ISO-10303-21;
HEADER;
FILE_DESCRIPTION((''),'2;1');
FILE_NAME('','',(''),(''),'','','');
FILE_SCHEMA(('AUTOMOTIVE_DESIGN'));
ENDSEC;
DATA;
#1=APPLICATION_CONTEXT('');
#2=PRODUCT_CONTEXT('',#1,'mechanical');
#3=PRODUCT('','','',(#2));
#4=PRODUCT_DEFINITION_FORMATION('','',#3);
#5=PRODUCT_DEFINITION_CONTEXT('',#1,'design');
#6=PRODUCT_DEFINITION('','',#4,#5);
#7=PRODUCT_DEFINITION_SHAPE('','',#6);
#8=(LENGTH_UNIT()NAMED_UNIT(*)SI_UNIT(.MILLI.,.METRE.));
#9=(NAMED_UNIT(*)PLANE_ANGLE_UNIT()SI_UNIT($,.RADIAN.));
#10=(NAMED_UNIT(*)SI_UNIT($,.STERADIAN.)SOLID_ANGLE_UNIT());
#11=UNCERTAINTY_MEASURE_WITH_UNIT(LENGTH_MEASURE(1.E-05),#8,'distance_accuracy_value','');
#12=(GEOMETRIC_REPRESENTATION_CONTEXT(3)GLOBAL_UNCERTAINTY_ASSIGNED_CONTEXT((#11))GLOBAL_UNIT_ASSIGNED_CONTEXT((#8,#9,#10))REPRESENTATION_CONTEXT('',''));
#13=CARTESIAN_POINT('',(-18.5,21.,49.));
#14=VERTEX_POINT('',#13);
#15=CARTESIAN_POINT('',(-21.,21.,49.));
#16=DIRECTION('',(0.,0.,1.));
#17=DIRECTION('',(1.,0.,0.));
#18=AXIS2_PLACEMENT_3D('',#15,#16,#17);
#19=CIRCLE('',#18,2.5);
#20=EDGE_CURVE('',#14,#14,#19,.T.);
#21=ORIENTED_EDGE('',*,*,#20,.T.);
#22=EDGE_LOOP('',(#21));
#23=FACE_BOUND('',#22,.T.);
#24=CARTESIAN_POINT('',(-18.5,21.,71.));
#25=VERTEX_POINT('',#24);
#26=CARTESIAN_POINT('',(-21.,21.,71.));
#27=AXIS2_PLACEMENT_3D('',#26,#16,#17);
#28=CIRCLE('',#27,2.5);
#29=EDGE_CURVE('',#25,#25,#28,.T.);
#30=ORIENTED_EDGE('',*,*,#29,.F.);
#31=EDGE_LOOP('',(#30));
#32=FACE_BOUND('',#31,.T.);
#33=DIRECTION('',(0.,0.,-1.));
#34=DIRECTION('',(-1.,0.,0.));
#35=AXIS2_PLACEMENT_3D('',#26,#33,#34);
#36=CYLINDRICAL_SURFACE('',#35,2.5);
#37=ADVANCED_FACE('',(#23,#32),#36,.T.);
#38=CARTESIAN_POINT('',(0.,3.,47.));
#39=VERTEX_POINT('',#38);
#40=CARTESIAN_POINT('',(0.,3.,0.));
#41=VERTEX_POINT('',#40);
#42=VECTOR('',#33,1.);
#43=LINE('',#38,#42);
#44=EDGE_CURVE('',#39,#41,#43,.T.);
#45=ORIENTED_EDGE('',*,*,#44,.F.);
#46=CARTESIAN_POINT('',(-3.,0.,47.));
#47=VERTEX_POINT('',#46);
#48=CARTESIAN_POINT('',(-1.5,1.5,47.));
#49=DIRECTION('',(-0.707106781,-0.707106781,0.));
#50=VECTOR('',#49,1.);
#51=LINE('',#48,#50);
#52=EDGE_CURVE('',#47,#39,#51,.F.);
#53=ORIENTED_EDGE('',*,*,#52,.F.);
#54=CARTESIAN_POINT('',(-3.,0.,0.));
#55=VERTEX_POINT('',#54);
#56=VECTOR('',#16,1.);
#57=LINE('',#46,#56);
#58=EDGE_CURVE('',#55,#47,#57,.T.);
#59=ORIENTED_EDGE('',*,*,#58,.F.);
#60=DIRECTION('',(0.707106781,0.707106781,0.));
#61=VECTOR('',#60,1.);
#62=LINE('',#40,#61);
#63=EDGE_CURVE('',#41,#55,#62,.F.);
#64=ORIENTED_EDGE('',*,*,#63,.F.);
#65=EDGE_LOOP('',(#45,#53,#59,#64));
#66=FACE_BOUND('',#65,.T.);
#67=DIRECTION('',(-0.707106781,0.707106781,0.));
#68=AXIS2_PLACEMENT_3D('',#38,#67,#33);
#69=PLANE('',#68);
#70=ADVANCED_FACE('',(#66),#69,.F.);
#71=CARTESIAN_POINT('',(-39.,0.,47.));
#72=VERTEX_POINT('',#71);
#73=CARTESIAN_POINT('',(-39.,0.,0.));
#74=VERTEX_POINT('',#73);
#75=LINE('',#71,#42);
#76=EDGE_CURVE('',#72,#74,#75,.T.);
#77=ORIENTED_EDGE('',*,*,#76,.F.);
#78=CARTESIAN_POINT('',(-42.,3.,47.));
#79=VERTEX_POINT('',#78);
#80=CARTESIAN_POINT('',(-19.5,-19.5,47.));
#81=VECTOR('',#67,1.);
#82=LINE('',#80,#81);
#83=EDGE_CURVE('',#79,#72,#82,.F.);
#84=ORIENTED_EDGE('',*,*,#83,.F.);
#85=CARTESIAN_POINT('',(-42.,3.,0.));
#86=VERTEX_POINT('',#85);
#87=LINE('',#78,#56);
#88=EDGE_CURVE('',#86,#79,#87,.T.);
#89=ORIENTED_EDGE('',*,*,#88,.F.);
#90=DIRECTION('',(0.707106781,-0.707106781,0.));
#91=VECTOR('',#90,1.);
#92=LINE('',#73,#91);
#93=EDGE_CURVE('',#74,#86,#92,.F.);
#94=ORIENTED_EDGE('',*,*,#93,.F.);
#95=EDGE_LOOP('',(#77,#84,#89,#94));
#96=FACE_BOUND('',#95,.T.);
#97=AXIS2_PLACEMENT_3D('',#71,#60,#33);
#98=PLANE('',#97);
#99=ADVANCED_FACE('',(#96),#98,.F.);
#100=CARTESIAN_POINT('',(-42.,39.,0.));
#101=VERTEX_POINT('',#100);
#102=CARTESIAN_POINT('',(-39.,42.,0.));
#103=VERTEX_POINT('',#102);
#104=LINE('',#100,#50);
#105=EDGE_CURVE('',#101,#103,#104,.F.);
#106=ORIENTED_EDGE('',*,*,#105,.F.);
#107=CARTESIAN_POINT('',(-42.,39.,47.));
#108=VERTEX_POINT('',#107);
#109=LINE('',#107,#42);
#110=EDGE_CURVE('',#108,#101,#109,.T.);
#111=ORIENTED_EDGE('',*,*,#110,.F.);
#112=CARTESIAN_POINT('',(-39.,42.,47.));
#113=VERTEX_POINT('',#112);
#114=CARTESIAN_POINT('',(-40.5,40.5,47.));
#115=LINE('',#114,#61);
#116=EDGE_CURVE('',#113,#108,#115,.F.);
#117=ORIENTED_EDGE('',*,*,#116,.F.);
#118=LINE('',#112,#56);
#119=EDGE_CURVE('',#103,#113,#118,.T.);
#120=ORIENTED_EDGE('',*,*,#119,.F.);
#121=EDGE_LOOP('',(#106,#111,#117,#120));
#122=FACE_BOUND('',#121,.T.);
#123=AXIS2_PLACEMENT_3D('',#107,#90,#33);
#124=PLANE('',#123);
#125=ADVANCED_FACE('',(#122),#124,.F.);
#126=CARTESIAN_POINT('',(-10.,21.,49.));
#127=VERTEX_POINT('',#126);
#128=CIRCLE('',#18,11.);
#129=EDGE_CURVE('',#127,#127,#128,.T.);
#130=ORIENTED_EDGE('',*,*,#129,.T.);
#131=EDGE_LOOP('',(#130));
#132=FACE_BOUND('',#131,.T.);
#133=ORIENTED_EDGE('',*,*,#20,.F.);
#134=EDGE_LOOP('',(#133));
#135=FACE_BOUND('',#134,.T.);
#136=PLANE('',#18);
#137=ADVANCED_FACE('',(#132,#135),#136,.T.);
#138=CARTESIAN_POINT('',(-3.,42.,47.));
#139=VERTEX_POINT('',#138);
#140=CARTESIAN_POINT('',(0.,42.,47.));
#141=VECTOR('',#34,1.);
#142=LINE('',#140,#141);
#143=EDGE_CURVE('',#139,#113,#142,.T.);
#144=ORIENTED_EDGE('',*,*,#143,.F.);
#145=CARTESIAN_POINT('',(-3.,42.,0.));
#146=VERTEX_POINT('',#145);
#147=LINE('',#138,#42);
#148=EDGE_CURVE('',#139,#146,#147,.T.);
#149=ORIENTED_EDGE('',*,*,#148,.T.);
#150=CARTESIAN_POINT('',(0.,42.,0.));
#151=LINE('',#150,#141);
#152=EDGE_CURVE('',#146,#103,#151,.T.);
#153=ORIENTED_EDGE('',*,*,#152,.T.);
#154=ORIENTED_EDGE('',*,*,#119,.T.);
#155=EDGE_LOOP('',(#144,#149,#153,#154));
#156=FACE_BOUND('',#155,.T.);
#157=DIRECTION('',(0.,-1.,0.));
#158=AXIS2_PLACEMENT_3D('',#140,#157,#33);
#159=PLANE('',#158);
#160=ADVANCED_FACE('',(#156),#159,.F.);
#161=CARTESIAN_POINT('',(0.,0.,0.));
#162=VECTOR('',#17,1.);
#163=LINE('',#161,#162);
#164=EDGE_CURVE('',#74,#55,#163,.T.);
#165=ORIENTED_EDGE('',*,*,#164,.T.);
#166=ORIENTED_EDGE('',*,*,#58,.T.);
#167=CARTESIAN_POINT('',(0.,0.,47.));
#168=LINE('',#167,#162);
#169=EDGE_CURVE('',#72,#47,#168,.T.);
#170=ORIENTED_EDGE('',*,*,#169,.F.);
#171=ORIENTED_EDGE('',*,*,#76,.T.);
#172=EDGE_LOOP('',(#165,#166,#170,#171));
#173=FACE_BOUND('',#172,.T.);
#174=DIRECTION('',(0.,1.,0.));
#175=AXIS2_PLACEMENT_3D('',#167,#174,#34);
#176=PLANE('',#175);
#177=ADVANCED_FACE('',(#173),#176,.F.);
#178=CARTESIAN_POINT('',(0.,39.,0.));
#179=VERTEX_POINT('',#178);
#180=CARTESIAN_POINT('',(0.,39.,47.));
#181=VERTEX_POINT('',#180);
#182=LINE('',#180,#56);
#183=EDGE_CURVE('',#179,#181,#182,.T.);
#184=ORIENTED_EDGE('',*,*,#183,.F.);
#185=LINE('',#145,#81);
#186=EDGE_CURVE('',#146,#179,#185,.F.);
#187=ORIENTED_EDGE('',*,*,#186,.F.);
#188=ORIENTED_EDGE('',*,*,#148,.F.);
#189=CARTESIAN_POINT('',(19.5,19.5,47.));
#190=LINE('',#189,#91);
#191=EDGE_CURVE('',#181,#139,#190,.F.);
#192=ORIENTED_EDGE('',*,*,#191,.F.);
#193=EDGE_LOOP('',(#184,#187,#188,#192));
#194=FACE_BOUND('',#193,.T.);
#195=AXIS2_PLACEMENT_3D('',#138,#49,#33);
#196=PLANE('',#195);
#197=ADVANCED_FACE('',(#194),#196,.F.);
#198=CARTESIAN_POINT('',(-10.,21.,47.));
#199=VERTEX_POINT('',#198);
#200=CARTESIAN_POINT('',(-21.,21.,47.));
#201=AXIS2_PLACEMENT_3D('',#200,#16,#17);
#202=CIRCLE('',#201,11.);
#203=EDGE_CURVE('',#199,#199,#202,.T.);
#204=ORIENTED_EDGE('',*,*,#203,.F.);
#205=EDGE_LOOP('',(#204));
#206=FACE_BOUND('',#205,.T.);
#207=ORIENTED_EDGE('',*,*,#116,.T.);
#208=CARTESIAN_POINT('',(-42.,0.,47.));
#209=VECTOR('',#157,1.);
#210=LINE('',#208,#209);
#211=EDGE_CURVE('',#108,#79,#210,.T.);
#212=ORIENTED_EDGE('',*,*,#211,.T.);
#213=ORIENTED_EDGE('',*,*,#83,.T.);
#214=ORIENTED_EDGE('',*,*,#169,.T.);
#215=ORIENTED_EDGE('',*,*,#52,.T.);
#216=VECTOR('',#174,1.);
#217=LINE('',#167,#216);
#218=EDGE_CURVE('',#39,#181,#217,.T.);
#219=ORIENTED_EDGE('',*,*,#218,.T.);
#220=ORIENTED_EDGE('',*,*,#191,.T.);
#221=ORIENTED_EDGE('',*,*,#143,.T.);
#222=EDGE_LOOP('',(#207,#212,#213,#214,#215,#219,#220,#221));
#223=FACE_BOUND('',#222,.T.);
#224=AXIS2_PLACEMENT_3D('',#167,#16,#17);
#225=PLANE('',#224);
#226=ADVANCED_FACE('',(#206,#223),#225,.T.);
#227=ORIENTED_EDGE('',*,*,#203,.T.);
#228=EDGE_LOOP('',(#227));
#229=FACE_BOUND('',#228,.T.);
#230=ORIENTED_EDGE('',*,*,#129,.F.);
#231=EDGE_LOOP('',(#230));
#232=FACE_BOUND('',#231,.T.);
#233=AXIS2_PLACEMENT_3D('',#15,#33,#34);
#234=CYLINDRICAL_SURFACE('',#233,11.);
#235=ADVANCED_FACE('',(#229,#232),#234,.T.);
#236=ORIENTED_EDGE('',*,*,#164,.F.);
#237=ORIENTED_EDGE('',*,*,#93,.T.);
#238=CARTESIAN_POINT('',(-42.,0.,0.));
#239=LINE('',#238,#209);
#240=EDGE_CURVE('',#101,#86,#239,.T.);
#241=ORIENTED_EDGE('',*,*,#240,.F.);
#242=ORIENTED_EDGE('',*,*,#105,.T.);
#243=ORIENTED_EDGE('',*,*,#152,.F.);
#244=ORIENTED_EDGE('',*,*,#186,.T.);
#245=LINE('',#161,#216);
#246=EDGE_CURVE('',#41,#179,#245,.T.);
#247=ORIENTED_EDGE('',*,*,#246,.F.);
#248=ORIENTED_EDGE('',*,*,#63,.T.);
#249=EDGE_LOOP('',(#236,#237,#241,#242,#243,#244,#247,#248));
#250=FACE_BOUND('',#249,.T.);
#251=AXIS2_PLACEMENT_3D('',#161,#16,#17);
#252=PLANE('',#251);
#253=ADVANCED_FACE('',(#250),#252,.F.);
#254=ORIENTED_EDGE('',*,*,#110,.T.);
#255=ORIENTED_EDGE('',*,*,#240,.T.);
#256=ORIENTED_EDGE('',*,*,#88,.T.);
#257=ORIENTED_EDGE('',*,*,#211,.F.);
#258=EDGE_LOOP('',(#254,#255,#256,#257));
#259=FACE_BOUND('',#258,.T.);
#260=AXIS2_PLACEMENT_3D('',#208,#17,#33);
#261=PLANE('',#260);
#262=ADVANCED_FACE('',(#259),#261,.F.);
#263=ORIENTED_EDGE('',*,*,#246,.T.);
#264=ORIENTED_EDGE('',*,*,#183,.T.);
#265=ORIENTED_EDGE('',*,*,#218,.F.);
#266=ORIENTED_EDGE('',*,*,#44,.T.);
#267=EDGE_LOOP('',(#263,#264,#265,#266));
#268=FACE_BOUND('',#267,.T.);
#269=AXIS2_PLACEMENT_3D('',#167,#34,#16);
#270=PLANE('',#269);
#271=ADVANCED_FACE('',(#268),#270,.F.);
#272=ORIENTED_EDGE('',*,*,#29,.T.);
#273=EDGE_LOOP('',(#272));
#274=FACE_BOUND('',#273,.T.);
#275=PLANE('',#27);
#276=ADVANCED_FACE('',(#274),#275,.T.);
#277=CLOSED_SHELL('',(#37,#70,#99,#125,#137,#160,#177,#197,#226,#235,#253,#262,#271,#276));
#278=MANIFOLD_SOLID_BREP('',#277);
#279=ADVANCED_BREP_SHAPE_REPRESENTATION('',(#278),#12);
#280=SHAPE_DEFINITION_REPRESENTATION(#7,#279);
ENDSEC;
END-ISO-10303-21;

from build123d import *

# Parameters (mm, degrees)
SKETCH_1_W      = 42
SKETCH_1_H      = 42
EXTRUDE_1_DEPTH = 47
CHAMFER_1_SIZE  = 3
SKETCH_2_R      = 11
EXTRUDE_2_DEPTH = 2
SKETCH_3_R      = 2.5
EXTRUDE_3_DEPTH = 22


with BuildPart() as part:
    # 草图1 → 凸台-拉伸1 (new body)
    with BuildSketch(Plane.XY):
        with Locations((-21, 21)):
            Rectangle(SKETCH_1_W, SKETCH_1_H)
    extrude(amount=EXTRUDE_1_DEPTH)

    # 倒角1
    chamfer_1_edges = [part.edges().sort_by_distance(p)[0] for p in [
        (0, 0, 23.5),
        (-42, 0, 23.5),
        (-42, 42, 23.5),
        (0, 42, 23.5),
    ]]
    chamfer(chamfer_1_edges, length=CHAMFER_1_SIZE)

    # 草图2 → 凸台-拉伸2 (add)
    with BuildSketch(Plane.XY.offset(47)):
        with Locations((-21, 21)):
            Circle(SKETCH_2_R)
    extrude(amount=EXTRUDE_2_DEPTH)

    # 草图3 → 凸台-拉伸3 (add)
    with BuildSketch(Plane.XY.offset(49)):
        with Locations((-21, 21)):
            Circle(SKETCH_3_R)
    extrude(amount=EXTRUDE_3_DEPTH)


solid = part.part
